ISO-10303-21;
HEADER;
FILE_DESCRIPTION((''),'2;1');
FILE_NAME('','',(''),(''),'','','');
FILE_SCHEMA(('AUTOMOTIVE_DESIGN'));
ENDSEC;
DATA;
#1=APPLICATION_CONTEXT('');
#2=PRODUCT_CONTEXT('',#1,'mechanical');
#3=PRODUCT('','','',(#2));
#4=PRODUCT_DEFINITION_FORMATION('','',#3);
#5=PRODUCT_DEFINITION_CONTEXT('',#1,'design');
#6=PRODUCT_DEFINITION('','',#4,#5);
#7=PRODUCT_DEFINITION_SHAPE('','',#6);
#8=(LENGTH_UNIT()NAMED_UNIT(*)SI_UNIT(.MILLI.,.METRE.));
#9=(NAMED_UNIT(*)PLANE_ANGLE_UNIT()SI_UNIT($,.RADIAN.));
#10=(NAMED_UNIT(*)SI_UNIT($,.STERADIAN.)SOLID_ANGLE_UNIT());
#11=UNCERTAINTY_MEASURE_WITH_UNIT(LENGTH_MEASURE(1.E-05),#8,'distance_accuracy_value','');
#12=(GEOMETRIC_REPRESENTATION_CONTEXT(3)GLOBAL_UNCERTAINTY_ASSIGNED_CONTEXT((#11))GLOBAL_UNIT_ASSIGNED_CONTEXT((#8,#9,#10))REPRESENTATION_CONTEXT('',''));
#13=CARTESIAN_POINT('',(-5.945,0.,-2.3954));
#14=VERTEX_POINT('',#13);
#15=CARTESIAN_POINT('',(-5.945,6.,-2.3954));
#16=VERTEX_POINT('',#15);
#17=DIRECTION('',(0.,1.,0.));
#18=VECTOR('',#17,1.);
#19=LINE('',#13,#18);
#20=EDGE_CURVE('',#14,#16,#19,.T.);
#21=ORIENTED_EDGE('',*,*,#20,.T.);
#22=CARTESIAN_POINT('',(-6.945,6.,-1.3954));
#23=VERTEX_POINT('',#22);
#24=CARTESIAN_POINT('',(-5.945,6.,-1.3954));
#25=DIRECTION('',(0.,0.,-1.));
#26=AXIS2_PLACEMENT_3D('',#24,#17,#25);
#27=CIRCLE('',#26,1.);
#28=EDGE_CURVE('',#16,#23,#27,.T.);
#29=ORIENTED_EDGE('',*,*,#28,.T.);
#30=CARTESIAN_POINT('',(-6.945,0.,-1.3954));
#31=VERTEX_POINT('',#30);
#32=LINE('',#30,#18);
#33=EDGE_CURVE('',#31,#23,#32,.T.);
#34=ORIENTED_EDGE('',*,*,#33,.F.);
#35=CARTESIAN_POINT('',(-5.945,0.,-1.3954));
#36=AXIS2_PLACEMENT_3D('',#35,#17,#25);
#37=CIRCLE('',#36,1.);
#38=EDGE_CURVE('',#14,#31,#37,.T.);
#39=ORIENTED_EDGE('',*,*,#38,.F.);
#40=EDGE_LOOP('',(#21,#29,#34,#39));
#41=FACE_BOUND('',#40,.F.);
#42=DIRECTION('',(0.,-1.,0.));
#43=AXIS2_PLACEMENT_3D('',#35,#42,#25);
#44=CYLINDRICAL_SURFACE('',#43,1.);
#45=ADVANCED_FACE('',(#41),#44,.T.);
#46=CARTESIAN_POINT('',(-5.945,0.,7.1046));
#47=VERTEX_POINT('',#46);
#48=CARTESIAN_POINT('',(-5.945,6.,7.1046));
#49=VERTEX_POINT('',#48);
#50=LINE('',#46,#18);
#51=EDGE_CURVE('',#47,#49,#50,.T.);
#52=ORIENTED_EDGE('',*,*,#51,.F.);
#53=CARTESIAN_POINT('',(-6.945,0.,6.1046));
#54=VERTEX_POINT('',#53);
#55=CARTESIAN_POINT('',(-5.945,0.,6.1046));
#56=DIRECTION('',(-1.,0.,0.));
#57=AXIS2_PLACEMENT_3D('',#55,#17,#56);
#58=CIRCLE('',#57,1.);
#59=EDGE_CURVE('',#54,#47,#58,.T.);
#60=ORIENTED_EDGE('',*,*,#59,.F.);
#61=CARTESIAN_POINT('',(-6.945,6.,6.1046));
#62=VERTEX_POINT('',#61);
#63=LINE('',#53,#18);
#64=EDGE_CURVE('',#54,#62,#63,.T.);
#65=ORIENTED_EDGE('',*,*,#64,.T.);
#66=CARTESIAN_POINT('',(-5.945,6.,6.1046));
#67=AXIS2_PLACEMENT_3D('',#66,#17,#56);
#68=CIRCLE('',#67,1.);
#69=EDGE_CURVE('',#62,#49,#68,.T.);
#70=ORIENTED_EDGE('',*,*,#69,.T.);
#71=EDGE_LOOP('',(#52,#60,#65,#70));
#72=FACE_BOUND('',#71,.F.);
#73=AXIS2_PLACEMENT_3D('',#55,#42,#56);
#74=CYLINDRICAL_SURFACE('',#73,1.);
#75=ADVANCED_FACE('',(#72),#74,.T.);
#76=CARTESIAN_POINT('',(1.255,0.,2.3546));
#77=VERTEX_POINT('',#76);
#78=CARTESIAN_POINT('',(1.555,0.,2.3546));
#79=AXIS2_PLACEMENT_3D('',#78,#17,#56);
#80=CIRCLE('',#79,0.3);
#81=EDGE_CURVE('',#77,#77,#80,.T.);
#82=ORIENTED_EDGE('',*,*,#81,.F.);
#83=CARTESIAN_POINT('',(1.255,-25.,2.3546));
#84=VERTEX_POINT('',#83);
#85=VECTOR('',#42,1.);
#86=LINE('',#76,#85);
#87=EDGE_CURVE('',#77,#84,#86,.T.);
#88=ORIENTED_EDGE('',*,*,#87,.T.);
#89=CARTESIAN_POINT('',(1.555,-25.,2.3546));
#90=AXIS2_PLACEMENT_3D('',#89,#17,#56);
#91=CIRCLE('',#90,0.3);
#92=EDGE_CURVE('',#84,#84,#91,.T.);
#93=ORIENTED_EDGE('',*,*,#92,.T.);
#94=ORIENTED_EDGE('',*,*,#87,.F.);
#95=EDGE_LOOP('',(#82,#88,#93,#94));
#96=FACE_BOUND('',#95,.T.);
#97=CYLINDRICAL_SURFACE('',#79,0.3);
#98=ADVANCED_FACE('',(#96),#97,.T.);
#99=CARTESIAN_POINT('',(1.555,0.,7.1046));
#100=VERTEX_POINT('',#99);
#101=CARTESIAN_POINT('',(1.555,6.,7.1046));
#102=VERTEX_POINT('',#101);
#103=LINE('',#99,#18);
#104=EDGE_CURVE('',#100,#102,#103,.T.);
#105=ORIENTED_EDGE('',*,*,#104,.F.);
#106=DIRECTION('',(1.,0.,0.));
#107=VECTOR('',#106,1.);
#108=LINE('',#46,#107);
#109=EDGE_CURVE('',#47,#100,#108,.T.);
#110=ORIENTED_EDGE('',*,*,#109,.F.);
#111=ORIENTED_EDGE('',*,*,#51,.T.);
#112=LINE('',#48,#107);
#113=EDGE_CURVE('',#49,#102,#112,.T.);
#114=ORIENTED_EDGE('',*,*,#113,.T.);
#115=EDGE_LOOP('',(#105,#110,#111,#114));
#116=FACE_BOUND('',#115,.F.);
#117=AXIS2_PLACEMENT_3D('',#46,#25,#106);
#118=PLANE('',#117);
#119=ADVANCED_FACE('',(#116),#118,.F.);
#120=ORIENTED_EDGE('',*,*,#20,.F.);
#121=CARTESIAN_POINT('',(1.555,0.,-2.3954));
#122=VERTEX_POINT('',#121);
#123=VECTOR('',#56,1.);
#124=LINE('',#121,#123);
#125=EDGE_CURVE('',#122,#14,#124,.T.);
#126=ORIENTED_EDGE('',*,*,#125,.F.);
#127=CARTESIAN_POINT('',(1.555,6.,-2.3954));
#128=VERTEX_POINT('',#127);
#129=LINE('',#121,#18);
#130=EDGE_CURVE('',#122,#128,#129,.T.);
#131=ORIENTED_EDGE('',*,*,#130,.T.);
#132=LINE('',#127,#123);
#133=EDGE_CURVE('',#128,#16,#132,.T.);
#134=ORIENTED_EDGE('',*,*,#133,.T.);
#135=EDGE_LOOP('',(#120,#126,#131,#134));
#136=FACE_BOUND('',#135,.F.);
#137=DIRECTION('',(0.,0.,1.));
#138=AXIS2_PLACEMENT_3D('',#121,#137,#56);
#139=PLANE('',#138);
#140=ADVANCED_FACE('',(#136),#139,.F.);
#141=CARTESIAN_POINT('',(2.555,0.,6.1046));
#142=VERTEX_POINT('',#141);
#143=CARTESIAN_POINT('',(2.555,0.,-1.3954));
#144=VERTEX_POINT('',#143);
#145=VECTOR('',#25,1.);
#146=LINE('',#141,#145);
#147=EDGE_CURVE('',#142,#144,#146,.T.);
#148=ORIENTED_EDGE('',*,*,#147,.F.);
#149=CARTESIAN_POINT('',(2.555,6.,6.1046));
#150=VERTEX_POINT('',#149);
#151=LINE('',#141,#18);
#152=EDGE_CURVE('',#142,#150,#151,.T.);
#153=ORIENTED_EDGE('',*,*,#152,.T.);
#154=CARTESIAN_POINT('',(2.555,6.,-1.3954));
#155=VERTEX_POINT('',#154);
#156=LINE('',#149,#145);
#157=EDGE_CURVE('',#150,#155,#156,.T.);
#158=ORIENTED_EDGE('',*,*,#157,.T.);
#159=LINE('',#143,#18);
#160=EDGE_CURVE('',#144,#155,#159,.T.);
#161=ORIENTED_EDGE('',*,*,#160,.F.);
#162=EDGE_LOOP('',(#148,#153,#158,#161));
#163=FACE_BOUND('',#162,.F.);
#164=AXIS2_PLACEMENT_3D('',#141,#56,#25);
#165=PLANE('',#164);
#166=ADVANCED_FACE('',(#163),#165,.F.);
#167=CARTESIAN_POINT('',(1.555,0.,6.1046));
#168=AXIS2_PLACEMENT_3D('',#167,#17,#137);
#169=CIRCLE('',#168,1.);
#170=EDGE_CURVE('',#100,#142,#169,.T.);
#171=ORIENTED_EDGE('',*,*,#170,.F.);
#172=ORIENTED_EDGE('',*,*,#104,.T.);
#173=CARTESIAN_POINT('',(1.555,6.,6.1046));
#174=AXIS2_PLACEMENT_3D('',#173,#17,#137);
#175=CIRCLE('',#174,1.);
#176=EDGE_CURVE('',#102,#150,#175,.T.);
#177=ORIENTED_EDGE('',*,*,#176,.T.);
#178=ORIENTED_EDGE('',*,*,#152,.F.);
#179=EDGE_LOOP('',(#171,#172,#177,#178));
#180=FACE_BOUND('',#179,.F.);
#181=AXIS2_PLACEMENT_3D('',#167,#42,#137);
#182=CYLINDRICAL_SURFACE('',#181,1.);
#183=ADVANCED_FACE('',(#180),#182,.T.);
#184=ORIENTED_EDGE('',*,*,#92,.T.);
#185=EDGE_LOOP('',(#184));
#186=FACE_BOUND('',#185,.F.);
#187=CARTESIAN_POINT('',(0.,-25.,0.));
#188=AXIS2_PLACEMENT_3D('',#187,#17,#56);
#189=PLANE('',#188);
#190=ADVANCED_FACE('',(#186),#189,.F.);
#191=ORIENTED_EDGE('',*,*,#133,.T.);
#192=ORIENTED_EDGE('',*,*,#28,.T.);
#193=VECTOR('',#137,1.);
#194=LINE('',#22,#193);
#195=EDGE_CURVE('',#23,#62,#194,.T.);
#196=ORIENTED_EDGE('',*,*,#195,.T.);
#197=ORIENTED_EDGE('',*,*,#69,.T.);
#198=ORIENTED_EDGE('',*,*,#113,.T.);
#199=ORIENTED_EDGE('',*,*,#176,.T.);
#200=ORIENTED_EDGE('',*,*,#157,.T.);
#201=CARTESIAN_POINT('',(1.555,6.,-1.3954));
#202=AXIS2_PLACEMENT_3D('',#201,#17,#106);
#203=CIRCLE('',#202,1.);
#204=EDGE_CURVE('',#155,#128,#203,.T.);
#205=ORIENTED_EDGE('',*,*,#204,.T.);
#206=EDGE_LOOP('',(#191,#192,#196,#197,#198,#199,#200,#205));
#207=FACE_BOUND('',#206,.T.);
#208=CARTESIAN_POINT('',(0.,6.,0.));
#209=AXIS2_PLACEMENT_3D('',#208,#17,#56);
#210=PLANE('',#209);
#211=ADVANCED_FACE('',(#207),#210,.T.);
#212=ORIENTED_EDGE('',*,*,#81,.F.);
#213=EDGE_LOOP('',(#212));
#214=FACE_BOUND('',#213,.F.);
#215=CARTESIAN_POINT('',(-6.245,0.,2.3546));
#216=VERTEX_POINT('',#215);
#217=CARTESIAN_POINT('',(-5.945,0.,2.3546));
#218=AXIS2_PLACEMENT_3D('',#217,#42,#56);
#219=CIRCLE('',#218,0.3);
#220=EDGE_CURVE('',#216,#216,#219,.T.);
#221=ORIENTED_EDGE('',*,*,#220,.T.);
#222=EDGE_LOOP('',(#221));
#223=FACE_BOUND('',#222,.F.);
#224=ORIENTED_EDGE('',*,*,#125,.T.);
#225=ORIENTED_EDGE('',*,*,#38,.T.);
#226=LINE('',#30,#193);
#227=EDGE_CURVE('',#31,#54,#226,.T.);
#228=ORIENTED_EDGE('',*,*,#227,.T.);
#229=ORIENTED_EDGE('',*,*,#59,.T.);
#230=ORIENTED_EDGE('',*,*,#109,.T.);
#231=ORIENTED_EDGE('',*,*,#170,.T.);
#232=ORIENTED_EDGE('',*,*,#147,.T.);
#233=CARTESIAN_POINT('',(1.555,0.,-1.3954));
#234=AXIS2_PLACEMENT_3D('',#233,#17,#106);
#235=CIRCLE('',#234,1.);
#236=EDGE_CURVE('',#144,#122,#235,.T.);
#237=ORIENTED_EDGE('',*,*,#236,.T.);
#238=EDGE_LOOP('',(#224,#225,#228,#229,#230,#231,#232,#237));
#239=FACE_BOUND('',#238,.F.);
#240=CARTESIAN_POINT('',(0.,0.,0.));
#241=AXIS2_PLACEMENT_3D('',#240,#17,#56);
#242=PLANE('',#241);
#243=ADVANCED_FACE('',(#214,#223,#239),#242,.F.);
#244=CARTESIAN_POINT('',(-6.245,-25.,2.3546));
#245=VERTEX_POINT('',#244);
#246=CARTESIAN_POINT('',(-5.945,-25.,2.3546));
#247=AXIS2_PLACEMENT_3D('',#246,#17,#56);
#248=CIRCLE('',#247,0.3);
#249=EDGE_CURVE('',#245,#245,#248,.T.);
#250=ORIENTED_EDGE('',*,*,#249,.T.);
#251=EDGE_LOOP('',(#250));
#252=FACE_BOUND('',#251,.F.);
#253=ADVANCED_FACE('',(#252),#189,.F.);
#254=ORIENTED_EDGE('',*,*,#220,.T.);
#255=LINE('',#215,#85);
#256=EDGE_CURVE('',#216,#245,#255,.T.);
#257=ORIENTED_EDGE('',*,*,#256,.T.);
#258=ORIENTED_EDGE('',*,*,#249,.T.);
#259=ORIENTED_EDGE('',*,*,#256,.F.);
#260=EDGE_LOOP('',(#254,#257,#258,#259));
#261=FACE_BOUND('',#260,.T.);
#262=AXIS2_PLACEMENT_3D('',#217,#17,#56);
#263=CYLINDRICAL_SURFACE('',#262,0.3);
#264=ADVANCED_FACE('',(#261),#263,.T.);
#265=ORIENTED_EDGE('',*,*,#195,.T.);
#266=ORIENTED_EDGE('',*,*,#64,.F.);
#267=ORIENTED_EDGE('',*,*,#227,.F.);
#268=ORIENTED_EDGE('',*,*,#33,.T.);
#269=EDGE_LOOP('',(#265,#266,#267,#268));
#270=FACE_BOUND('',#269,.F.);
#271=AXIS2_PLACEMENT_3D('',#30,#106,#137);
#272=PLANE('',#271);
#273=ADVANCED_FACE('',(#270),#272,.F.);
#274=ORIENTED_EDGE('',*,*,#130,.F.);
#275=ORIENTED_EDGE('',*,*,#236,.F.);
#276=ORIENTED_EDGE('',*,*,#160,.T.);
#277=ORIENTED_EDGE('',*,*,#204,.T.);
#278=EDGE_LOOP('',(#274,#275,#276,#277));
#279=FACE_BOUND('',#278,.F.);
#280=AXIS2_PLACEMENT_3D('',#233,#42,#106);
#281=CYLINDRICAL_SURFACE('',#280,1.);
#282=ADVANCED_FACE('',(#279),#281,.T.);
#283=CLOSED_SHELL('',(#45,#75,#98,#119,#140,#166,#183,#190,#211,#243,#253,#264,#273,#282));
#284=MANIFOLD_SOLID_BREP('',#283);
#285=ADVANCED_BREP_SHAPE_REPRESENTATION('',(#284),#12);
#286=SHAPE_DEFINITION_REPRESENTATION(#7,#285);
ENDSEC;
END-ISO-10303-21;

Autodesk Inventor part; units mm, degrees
ref_plane "YZ Plane" through (0, 0, 0) normal (1, 0, 0) x (0, 1, 0)
ref_plane "XZ Plane" through (0, 0, 0) normal (0, 1, 0) x (-1, 0, 0)
ref_plane "XY Plane" through (0, 0, 0) normal (0, 0, 1) x (1, 0, 0)
sketch "Эскиз1" plane through (0, 0, 0) normal (0, 1, 0) x (-1, 0, 0)
  line L0 (5.945, 7.1046) -> (-1.555, 7.1046)
  line L1 (-2.555, 6.1046) -> (-2.555, -1.3954)
  line L2 (-1.555, -2.3954) -> (5.945, -2.3954)
  line L3 (6.945, -1.3954) -> (6.945, 6.1046)
  arc A0 (6.945, 6.1046) -> (5.945, 7.1046) centre (5.945, 6.1046) ccw
  arc A1 (5.945, -2.3954) -> (6.945, -1.3954) centre (5.945, -1.3954) ccw
  arc A2 (-2.555, -1.3954) -> (-1.555, -2.3954) centre (-1.555, -1.3954) ccw
  arc A3 (-1.555, 7.1046) -> (-2.555, 6.1046) centre (-1.555, 6.1046) ccw
  point P0 (0, 0)
  point P1 (-2.555, -2.3954)
  point P2 (-2.555, 7.1046)
  point P3 (6.945, -2.3954)
  dimension "d0" = 9.5
  dimension "d1" = 9.5
  dimension "d2" = 1
extrude "Выдавливание1" add sketch "Эскиз1" along normal blind 6
sketch "Эскиз2" plane through (0, 0, 0) normal (0, 1, 0) x (-1, 0, 0)
  arc A0 (6.945, 6.1046) -> (5.945, 7.1046) centre (5.945, 6.1046) ccw projected
  arc A1 (-2.555, -1.3954) -> (-1.555, -2.3954) centre (-1.555, -1.3954) ccw projected
  circle A2 centre (5.945, 2.3546) radius 0.3
  circle A3 centre (-1.555, 2.3546) radius 0.3
  line L0 (5.945, 2.3546) -> (-1.555, 2.3546)
  point P0 (0, 0)
  dimension "d7" = 0.6
  dimension "d8" = 0.6
extrude "Выдавливание2" add sketch "Эскиз2" against normal blind 25
properties part number "KM6A – H90"
